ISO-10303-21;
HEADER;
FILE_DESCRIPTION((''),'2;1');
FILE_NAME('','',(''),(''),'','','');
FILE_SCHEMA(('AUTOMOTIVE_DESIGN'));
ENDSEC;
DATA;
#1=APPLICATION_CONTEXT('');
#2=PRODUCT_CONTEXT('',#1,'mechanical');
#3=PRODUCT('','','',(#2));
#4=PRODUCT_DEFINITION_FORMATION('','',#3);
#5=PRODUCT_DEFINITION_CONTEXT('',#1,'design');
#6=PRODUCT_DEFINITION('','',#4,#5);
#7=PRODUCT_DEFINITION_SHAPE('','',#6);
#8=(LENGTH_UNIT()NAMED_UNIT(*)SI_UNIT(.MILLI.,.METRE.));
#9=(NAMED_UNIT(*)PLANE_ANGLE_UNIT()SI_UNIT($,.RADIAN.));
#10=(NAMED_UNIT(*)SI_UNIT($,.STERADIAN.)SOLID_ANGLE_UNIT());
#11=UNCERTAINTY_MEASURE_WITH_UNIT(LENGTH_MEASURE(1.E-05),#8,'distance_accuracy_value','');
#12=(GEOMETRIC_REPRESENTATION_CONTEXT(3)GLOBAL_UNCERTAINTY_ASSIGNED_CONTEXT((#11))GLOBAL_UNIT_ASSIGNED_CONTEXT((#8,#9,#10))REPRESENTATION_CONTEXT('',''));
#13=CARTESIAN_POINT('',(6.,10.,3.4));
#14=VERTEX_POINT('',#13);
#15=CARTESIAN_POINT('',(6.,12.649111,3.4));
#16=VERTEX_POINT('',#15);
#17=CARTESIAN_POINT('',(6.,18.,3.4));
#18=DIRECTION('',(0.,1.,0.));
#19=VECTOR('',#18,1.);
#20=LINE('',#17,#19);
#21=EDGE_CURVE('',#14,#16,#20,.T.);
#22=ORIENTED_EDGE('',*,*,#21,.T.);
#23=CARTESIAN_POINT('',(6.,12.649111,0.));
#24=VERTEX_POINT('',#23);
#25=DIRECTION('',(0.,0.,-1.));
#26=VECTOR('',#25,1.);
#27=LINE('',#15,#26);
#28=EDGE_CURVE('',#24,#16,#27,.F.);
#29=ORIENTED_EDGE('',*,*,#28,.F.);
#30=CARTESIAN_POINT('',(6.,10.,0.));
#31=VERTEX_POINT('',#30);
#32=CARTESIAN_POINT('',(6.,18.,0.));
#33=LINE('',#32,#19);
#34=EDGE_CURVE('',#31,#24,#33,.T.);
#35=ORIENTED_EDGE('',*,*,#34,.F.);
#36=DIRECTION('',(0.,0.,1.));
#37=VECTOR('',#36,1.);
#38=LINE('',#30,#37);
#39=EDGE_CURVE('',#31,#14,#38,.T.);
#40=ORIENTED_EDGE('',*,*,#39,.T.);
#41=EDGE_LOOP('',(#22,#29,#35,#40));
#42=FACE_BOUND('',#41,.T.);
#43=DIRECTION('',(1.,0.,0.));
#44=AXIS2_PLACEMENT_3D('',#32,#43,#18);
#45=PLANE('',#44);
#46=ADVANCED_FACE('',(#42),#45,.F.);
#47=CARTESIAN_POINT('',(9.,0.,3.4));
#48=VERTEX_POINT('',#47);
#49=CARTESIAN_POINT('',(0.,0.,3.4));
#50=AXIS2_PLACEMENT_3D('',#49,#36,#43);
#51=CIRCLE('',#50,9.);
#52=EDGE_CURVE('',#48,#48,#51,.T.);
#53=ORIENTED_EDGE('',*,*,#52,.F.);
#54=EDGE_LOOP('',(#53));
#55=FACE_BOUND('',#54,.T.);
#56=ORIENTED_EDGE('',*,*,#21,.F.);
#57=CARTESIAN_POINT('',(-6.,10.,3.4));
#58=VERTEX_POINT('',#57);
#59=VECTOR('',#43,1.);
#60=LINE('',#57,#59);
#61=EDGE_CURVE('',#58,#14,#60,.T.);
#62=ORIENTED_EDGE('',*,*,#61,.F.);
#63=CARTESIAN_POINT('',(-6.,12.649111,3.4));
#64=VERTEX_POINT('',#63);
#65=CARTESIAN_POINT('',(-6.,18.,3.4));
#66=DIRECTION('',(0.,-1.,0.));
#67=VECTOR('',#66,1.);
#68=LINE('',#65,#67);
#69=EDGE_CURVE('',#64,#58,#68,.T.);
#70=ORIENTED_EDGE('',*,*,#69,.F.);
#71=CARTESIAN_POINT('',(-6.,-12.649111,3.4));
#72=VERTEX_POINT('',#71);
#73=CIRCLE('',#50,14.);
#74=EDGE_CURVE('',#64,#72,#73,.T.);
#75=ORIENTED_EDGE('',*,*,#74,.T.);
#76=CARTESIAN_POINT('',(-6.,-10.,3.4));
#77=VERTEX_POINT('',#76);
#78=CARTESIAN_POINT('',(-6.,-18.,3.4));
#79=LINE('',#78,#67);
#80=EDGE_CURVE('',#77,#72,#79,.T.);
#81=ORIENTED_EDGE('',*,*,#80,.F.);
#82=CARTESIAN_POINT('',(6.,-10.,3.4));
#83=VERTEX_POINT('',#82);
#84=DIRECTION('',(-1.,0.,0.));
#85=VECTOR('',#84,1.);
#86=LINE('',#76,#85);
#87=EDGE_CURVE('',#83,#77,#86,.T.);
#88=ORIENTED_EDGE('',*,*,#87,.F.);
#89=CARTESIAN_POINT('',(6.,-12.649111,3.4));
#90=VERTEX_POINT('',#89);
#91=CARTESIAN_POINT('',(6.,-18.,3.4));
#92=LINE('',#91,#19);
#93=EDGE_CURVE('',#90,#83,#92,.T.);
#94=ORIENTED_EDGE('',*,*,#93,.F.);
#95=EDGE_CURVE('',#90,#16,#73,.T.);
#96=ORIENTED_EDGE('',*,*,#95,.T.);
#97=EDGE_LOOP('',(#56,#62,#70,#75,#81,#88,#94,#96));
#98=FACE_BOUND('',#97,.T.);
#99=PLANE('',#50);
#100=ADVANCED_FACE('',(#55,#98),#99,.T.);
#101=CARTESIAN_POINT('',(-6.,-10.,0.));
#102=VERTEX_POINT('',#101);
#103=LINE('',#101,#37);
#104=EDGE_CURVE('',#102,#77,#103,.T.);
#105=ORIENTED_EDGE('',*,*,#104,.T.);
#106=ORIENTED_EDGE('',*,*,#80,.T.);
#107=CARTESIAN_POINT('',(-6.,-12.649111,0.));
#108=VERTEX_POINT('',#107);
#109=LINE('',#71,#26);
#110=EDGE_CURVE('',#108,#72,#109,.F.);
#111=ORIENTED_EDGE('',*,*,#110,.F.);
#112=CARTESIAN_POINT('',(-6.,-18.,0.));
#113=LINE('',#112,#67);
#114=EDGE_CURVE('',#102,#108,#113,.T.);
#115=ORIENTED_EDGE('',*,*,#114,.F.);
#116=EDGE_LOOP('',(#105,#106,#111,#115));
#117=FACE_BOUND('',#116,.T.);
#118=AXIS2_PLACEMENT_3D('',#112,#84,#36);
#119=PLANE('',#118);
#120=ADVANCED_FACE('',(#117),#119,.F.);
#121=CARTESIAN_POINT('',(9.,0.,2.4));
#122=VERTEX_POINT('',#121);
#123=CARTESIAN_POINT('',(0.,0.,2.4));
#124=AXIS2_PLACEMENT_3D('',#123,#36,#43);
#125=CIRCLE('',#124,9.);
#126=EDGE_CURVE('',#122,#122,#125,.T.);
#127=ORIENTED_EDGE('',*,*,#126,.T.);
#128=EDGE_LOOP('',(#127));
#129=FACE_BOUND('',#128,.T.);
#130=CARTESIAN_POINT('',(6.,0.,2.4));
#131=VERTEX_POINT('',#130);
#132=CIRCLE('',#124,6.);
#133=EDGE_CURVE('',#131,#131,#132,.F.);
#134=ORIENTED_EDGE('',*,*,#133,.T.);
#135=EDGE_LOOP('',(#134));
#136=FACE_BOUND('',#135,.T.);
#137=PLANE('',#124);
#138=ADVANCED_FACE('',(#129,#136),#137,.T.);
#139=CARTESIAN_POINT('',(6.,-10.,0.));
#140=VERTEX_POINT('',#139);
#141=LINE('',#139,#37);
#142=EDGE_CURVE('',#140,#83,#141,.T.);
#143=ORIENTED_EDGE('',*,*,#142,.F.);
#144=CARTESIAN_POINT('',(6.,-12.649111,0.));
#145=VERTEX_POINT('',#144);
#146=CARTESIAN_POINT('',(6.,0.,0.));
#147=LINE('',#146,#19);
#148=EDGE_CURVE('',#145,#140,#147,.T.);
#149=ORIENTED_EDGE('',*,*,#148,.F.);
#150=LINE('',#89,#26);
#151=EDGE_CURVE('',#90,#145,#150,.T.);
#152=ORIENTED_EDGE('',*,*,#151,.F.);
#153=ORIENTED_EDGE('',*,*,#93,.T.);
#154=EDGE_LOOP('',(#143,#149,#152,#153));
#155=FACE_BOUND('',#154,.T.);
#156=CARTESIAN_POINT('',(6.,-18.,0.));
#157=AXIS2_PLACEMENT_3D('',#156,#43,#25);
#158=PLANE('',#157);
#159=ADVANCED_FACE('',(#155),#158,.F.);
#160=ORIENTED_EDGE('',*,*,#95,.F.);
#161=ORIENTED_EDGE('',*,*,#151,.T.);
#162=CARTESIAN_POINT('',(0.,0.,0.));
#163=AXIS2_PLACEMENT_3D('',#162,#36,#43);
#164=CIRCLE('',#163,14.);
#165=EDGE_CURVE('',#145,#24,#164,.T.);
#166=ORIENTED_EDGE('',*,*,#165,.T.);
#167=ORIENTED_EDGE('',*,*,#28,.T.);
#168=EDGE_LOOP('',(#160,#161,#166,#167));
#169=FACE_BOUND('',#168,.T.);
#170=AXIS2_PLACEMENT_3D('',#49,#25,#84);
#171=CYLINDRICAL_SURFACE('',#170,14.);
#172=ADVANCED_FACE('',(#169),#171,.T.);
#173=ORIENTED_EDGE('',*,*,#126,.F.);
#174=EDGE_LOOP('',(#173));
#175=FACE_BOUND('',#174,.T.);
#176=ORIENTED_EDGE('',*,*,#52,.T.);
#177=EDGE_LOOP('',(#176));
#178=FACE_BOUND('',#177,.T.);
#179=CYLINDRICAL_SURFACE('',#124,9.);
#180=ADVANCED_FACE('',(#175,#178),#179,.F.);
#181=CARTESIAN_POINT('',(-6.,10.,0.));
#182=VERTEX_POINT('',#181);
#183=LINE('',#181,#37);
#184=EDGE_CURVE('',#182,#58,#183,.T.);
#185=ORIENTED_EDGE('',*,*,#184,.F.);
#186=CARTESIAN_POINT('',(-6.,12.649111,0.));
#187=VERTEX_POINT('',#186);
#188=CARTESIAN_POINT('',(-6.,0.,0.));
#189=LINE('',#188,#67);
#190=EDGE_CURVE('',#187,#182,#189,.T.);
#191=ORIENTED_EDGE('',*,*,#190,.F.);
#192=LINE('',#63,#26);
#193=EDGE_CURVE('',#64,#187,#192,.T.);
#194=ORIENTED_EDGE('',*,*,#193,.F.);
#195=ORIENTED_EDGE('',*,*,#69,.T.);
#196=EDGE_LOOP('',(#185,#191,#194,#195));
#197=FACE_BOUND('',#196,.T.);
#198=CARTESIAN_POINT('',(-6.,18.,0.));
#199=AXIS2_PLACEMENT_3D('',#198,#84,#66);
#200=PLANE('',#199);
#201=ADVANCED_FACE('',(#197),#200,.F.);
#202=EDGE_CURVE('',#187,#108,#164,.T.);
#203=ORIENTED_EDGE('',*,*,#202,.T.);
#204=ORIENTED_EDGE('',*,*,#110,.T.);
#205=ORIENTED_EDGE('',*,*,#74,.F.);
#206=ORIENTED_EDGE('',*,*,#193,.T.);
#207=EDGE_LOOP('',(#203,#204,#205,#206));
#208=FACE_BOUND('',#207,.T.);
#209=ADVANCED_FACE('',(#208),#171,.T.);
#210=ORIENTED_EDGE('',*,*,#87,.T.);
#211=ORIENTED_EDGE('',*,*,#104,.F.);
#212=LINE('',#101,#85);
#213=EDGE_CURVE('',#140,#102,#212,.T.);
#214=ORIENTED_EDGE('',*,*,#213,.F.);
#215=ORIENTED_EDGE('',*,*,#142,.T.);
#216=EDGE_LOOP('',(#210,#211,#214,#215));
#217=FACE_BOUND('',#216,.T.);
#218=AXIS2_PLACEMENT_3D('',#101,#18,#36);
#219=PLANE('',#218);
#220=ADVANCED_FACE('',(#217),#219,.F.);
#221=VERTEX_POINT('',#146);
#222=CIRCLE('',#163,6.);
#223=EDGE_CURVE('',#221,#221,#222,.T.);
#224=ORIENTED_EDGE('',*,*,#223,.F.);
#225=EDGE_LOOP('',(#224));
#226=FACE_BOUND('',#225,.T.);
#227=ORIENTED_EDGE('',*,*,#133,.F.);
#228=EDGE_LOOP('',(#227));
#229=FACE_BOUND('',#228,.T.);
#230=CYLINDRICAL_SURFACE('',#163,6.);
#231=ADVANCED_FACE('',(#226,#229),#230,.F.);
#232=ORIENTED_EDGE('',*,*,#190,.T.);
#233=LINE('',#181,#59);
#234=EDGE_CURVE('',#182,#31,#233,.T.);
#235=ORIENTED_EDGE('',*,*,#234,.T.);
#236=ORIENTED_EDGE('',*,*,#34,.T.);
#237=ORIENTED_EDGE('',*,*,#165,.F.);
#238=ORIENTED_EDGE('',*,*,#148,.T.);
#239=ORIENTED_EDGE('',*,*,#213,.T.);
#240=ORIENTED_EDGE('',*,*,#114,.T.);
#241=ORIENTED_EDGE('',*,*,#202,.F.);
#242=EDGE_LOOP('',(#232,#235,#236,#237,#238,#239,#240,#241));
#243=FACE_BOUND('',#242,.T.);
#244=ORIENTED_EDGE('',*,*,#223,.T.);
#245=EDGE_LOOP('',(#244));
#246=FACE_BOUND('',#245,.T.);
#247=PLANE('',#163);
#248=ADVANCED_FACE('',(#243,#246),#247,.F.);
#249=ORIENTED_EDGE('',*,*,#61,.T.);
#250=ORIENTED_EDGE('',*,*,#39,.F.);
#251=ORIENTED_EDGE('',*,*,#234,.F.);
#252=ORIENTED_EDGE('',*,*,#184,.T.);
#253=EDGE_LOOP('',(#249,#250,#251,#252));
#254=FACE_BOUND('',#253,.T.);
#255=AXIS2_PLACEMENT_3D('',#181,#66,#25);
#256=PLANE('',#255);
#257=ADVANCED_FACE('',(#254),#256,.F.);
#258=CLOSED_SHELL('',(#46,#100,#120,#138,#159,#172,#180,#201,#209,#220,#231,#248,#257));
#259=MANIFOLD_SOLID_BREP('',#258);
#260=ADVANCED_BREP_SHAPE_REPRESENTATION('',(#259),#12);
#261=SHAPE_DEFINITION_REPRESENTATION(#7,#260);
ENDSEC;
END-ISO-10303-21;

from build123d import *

# Parameters (mm, degrees)
SKETCH_1_R          = 14
EXTRUDE_1_DEPTH     = 3.4
SKETCH_2_R          = 6
CUT_EXTRUDE_1_DEPTH = 3.4
SKETCH_3_W          = 12
SKETCH_3_H          = 8
CUT_EXTRUDE_2_DEPTH = 3.4
SKETCH_4_R          = 9
CUT_EXTRUDE_3_DEPTH = 1


with BuildPart() as part:
    # 스케치1 → 보스-돌출1 (new body)
    with BuildSketch(Plane.XY):
        Circle(SKETCH_1_R)
    extrude(amount=EXTRUDE_1_DEPTH)

    # 스케치2 → 컷-돌출1 (cut)
    with BuildSketch(Plane.XY.offset(3.4)):
        Circle(SKETCH_2_R)
    extrude(amount=-CUT_EXTRUDE_1_DEPTH, mode=Mode.SUBTRACT)

    # 스케치3 → 컷-돌출2 (cut)
    with BuildSketch(Plane.XY.offset(3.4)):
        with Locations((0, 14)):
            Rectangle(SKETCH_3_W, SKETCH_3_H)
        with Locations((0, -14)):
            Rectangle(SKETCH_3_W, SKETCH_3_H)
    extrude(amount=-CUT_EXTRUDE_2_DEPTH, mode=Mode.SUBTRACT)

    # 스케치4 → 컷-돌출3 (cut)
    with BuildSketch(Plane.XY.offset(3.4)):
        Circle(SKETCH_4_R)
    extrude(amount=-CUT_EXTRUDE_3_DEPTH, mode=Mode.SUBTRACT)


solid = part.part
